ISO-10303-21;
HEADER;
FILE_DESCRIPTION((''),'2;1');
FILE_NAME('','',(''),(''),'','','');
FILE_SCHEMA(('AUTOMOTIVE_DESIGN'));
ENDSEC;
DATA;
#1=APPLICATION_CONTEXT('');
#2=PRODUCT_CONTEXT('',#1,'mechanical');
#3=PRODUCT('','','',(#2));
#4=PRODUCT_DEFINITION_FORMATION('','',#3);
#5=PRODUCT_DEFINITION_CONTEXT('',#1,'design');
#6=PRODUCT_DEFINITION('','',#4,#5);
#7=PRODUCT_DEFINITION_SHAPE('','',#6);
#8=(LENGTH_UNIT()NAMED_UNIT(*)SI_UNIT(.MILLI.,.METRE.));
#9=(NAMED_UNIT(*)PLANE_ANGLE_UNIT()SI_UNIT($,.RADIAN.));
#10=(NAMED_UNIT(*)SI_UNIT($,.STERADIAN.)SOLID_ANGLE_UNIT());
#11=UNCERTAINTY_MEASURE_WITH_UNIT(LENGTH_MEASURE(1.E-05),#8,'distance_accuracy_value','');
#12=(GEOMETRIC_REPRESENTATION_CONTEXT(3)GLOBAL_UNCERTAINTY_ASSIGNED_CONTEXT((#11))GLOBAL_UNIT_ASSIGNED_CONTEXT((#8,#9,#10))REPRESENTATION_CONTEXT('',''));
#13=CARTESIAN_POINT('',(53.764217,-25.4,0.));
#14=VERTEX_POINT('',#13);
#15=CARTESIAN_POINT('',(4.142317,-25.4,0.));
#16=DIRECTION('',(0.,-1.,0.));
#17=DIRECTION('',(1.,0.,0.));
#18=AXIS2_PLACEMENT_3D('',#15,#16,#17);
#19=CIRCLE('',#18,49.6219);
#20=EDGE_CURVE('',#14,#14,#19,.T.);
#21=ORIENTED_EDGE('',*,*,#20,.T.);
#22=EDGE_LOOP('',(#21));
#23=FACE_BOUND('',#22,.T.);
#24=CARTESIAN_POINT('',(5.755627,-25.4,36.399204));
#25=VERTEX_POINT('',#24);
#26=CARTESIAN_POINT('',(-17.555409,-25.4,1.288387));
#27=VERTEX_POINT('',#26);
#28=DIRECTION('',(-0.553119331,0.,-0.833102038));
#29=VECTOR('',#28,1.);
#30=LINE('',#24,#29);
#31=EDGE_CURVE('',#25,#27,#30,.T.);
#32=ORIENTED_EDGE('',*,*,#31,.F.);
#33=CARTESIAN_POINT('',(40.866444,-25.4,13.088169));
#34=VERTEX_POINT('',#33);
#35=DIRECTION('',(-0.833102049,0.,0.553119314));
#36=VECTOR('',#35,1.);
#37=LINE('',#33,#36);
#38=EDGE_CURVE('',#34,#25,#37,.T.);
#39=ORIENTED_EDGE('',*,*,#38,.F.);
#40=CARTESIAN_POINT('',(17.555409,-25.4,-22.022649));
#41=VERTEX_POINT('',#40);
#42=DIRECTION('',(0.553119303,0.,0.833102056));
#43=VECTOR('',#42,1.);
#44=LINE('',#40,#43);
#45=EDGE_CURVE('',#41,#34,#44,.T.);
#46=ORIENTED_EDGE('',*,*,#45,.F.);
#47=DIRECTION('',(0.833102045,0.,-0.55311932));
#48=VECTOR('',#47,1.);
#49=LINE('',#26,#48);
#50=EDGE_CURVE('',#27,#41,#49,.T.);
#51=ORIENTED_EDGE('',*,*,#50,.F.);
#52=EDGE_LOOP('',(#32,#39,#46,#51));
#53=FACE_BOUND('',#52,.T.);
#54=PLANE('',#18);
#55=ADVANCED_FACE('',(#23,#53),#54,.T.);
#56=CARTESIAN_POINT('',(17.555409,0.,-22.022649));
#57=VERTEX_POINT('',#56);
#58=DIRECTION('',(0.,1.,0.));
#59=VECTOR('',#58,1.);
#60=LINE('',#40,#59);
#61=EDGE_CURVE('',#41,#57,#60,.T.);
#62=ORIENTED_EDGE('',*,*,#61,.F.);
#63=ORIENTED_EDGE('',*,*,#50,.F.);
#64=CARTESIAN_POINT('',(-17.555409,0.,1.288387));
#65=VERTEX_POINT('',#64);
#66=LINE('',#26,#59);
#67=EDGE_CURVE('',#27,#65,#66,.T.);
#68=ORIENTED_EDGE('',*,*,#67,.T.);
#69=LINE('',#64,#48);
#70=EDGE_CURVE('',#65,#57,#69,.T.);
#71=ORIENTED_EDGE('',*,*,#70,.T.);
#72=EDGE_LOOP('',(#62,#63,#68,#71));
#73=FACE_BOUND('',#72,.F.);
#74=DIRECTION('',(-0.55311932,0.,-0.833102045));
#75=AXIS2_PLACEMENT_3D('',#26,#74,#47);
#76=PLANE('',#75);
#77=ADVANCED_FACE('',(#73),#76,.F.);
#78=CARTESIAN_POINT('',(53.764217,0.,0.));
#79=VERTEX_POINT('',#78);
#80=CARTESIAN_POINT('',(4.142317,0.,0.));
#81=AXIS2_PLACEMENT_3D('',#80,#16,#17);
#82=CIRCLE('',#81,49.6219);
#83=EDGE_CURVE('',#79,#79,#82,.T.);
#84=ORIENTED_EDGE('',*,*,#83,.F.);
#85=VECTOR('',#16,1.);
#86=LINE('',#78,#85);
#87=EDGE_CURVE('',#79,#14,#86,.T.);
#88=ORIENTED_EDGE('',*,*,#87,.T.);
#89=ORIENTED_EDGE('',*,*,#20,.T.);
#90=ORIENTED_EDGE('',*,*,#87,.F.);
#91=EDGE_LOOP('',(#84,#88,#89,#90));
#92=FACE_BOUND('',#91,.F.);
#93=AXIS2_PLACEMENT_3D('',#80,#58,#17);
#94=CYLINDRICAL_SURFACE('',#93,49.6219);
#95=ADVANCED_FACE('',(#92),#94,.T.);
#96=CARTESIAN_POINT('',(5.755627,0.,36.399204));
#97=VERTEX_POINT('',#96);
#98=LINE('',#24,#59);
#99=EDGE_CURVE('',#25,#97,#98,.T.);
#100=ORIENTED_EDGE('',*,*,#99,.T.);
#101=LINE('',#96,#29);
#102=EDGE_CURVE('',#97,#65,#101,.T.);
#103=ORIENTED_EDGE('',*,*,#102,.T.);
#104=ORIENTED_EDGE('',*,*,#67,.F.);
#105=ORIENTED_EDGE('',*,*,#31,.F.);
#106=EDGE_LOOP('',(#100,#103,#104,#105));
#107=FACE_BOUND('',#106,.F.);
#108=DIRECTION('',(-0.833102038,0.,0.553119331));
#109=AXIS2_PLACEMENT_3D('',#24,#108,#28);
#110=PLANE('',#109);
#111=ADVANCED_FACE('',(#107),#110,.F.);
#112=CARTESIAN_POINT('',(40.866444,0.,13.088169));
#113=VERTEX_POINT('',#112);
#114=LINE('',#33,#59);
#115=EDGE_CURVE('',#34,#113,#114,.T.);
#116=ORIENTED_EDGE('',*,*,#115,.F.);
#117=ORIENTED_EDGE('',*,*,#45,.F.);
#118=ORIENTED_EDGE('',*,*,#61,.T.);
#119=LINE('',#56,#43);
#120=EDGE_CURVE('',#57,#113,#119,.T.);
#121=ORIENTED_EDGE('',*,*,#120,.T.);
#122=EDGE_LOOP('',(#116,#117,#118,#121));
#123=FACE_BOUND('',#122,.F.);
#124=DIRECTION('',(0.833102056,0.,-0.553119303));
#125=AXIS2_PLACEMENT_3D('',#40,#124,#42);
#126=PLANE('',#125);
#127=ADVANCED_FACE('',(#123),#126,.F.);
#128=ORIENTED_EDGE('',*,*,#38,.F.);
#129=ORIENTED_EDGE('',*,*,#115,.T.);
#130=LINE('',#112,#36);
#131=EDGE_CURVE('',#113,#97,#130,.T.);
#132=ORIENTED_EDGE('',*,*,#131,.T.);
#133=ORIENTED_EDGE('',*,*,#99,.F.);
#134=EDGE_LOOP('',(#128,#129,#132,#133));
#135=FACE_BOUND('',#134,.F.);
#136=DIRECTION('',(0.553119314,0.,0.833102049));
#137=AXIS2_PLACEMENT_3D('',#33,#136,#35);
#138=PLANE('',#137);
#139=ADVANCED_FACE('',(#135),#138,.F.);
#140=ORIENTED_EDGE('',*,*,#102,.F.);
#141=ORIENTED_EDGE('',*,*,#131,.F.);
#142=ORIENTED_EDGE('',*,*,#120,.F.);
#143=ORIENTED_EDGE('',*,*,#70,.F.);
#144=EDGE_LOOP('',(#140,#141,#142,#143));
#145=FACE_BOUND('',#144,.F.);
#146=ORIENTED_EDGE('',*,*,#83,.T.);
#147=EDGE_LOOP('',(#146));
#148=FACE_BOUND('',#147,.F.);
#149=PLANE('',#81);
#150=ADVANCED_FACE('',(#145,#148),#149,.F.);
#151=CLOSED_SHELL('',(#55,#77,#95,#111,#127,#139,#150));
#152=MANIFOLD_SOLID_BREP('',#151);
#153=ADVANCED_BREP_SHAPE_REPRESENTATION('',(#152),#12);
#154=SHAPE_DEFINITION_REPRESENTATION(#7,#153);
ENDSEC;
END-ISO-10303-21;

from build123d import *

# Parameters (mm, degrees)
F0_R     = 49.6219
F1_DEPTH = 25.4
F3_DEPTH = 25.4


with BuildPart() as f1:
    # F0 (on Front) → F1 (new body)
    with BuildSketch(Plane.XZ):
        with Locations((4.142317, 0)):
            Circle(F0_R)
    extrude(amount=F1_DEPTH)

    # F2 (on face) → F3 (cut, through all)
    with BuildSketch(Plane.XZ.offset(25.4)):
        Polygon((-17.555409, 1.288387), (17.555409, -22.022649), (40.866444, 13.088169), (5.755627, 36.399204), align=None)
    extrude(amount=-F3_DEPTH, mode=Mode.SUBTRACT)


solid = f1.part
